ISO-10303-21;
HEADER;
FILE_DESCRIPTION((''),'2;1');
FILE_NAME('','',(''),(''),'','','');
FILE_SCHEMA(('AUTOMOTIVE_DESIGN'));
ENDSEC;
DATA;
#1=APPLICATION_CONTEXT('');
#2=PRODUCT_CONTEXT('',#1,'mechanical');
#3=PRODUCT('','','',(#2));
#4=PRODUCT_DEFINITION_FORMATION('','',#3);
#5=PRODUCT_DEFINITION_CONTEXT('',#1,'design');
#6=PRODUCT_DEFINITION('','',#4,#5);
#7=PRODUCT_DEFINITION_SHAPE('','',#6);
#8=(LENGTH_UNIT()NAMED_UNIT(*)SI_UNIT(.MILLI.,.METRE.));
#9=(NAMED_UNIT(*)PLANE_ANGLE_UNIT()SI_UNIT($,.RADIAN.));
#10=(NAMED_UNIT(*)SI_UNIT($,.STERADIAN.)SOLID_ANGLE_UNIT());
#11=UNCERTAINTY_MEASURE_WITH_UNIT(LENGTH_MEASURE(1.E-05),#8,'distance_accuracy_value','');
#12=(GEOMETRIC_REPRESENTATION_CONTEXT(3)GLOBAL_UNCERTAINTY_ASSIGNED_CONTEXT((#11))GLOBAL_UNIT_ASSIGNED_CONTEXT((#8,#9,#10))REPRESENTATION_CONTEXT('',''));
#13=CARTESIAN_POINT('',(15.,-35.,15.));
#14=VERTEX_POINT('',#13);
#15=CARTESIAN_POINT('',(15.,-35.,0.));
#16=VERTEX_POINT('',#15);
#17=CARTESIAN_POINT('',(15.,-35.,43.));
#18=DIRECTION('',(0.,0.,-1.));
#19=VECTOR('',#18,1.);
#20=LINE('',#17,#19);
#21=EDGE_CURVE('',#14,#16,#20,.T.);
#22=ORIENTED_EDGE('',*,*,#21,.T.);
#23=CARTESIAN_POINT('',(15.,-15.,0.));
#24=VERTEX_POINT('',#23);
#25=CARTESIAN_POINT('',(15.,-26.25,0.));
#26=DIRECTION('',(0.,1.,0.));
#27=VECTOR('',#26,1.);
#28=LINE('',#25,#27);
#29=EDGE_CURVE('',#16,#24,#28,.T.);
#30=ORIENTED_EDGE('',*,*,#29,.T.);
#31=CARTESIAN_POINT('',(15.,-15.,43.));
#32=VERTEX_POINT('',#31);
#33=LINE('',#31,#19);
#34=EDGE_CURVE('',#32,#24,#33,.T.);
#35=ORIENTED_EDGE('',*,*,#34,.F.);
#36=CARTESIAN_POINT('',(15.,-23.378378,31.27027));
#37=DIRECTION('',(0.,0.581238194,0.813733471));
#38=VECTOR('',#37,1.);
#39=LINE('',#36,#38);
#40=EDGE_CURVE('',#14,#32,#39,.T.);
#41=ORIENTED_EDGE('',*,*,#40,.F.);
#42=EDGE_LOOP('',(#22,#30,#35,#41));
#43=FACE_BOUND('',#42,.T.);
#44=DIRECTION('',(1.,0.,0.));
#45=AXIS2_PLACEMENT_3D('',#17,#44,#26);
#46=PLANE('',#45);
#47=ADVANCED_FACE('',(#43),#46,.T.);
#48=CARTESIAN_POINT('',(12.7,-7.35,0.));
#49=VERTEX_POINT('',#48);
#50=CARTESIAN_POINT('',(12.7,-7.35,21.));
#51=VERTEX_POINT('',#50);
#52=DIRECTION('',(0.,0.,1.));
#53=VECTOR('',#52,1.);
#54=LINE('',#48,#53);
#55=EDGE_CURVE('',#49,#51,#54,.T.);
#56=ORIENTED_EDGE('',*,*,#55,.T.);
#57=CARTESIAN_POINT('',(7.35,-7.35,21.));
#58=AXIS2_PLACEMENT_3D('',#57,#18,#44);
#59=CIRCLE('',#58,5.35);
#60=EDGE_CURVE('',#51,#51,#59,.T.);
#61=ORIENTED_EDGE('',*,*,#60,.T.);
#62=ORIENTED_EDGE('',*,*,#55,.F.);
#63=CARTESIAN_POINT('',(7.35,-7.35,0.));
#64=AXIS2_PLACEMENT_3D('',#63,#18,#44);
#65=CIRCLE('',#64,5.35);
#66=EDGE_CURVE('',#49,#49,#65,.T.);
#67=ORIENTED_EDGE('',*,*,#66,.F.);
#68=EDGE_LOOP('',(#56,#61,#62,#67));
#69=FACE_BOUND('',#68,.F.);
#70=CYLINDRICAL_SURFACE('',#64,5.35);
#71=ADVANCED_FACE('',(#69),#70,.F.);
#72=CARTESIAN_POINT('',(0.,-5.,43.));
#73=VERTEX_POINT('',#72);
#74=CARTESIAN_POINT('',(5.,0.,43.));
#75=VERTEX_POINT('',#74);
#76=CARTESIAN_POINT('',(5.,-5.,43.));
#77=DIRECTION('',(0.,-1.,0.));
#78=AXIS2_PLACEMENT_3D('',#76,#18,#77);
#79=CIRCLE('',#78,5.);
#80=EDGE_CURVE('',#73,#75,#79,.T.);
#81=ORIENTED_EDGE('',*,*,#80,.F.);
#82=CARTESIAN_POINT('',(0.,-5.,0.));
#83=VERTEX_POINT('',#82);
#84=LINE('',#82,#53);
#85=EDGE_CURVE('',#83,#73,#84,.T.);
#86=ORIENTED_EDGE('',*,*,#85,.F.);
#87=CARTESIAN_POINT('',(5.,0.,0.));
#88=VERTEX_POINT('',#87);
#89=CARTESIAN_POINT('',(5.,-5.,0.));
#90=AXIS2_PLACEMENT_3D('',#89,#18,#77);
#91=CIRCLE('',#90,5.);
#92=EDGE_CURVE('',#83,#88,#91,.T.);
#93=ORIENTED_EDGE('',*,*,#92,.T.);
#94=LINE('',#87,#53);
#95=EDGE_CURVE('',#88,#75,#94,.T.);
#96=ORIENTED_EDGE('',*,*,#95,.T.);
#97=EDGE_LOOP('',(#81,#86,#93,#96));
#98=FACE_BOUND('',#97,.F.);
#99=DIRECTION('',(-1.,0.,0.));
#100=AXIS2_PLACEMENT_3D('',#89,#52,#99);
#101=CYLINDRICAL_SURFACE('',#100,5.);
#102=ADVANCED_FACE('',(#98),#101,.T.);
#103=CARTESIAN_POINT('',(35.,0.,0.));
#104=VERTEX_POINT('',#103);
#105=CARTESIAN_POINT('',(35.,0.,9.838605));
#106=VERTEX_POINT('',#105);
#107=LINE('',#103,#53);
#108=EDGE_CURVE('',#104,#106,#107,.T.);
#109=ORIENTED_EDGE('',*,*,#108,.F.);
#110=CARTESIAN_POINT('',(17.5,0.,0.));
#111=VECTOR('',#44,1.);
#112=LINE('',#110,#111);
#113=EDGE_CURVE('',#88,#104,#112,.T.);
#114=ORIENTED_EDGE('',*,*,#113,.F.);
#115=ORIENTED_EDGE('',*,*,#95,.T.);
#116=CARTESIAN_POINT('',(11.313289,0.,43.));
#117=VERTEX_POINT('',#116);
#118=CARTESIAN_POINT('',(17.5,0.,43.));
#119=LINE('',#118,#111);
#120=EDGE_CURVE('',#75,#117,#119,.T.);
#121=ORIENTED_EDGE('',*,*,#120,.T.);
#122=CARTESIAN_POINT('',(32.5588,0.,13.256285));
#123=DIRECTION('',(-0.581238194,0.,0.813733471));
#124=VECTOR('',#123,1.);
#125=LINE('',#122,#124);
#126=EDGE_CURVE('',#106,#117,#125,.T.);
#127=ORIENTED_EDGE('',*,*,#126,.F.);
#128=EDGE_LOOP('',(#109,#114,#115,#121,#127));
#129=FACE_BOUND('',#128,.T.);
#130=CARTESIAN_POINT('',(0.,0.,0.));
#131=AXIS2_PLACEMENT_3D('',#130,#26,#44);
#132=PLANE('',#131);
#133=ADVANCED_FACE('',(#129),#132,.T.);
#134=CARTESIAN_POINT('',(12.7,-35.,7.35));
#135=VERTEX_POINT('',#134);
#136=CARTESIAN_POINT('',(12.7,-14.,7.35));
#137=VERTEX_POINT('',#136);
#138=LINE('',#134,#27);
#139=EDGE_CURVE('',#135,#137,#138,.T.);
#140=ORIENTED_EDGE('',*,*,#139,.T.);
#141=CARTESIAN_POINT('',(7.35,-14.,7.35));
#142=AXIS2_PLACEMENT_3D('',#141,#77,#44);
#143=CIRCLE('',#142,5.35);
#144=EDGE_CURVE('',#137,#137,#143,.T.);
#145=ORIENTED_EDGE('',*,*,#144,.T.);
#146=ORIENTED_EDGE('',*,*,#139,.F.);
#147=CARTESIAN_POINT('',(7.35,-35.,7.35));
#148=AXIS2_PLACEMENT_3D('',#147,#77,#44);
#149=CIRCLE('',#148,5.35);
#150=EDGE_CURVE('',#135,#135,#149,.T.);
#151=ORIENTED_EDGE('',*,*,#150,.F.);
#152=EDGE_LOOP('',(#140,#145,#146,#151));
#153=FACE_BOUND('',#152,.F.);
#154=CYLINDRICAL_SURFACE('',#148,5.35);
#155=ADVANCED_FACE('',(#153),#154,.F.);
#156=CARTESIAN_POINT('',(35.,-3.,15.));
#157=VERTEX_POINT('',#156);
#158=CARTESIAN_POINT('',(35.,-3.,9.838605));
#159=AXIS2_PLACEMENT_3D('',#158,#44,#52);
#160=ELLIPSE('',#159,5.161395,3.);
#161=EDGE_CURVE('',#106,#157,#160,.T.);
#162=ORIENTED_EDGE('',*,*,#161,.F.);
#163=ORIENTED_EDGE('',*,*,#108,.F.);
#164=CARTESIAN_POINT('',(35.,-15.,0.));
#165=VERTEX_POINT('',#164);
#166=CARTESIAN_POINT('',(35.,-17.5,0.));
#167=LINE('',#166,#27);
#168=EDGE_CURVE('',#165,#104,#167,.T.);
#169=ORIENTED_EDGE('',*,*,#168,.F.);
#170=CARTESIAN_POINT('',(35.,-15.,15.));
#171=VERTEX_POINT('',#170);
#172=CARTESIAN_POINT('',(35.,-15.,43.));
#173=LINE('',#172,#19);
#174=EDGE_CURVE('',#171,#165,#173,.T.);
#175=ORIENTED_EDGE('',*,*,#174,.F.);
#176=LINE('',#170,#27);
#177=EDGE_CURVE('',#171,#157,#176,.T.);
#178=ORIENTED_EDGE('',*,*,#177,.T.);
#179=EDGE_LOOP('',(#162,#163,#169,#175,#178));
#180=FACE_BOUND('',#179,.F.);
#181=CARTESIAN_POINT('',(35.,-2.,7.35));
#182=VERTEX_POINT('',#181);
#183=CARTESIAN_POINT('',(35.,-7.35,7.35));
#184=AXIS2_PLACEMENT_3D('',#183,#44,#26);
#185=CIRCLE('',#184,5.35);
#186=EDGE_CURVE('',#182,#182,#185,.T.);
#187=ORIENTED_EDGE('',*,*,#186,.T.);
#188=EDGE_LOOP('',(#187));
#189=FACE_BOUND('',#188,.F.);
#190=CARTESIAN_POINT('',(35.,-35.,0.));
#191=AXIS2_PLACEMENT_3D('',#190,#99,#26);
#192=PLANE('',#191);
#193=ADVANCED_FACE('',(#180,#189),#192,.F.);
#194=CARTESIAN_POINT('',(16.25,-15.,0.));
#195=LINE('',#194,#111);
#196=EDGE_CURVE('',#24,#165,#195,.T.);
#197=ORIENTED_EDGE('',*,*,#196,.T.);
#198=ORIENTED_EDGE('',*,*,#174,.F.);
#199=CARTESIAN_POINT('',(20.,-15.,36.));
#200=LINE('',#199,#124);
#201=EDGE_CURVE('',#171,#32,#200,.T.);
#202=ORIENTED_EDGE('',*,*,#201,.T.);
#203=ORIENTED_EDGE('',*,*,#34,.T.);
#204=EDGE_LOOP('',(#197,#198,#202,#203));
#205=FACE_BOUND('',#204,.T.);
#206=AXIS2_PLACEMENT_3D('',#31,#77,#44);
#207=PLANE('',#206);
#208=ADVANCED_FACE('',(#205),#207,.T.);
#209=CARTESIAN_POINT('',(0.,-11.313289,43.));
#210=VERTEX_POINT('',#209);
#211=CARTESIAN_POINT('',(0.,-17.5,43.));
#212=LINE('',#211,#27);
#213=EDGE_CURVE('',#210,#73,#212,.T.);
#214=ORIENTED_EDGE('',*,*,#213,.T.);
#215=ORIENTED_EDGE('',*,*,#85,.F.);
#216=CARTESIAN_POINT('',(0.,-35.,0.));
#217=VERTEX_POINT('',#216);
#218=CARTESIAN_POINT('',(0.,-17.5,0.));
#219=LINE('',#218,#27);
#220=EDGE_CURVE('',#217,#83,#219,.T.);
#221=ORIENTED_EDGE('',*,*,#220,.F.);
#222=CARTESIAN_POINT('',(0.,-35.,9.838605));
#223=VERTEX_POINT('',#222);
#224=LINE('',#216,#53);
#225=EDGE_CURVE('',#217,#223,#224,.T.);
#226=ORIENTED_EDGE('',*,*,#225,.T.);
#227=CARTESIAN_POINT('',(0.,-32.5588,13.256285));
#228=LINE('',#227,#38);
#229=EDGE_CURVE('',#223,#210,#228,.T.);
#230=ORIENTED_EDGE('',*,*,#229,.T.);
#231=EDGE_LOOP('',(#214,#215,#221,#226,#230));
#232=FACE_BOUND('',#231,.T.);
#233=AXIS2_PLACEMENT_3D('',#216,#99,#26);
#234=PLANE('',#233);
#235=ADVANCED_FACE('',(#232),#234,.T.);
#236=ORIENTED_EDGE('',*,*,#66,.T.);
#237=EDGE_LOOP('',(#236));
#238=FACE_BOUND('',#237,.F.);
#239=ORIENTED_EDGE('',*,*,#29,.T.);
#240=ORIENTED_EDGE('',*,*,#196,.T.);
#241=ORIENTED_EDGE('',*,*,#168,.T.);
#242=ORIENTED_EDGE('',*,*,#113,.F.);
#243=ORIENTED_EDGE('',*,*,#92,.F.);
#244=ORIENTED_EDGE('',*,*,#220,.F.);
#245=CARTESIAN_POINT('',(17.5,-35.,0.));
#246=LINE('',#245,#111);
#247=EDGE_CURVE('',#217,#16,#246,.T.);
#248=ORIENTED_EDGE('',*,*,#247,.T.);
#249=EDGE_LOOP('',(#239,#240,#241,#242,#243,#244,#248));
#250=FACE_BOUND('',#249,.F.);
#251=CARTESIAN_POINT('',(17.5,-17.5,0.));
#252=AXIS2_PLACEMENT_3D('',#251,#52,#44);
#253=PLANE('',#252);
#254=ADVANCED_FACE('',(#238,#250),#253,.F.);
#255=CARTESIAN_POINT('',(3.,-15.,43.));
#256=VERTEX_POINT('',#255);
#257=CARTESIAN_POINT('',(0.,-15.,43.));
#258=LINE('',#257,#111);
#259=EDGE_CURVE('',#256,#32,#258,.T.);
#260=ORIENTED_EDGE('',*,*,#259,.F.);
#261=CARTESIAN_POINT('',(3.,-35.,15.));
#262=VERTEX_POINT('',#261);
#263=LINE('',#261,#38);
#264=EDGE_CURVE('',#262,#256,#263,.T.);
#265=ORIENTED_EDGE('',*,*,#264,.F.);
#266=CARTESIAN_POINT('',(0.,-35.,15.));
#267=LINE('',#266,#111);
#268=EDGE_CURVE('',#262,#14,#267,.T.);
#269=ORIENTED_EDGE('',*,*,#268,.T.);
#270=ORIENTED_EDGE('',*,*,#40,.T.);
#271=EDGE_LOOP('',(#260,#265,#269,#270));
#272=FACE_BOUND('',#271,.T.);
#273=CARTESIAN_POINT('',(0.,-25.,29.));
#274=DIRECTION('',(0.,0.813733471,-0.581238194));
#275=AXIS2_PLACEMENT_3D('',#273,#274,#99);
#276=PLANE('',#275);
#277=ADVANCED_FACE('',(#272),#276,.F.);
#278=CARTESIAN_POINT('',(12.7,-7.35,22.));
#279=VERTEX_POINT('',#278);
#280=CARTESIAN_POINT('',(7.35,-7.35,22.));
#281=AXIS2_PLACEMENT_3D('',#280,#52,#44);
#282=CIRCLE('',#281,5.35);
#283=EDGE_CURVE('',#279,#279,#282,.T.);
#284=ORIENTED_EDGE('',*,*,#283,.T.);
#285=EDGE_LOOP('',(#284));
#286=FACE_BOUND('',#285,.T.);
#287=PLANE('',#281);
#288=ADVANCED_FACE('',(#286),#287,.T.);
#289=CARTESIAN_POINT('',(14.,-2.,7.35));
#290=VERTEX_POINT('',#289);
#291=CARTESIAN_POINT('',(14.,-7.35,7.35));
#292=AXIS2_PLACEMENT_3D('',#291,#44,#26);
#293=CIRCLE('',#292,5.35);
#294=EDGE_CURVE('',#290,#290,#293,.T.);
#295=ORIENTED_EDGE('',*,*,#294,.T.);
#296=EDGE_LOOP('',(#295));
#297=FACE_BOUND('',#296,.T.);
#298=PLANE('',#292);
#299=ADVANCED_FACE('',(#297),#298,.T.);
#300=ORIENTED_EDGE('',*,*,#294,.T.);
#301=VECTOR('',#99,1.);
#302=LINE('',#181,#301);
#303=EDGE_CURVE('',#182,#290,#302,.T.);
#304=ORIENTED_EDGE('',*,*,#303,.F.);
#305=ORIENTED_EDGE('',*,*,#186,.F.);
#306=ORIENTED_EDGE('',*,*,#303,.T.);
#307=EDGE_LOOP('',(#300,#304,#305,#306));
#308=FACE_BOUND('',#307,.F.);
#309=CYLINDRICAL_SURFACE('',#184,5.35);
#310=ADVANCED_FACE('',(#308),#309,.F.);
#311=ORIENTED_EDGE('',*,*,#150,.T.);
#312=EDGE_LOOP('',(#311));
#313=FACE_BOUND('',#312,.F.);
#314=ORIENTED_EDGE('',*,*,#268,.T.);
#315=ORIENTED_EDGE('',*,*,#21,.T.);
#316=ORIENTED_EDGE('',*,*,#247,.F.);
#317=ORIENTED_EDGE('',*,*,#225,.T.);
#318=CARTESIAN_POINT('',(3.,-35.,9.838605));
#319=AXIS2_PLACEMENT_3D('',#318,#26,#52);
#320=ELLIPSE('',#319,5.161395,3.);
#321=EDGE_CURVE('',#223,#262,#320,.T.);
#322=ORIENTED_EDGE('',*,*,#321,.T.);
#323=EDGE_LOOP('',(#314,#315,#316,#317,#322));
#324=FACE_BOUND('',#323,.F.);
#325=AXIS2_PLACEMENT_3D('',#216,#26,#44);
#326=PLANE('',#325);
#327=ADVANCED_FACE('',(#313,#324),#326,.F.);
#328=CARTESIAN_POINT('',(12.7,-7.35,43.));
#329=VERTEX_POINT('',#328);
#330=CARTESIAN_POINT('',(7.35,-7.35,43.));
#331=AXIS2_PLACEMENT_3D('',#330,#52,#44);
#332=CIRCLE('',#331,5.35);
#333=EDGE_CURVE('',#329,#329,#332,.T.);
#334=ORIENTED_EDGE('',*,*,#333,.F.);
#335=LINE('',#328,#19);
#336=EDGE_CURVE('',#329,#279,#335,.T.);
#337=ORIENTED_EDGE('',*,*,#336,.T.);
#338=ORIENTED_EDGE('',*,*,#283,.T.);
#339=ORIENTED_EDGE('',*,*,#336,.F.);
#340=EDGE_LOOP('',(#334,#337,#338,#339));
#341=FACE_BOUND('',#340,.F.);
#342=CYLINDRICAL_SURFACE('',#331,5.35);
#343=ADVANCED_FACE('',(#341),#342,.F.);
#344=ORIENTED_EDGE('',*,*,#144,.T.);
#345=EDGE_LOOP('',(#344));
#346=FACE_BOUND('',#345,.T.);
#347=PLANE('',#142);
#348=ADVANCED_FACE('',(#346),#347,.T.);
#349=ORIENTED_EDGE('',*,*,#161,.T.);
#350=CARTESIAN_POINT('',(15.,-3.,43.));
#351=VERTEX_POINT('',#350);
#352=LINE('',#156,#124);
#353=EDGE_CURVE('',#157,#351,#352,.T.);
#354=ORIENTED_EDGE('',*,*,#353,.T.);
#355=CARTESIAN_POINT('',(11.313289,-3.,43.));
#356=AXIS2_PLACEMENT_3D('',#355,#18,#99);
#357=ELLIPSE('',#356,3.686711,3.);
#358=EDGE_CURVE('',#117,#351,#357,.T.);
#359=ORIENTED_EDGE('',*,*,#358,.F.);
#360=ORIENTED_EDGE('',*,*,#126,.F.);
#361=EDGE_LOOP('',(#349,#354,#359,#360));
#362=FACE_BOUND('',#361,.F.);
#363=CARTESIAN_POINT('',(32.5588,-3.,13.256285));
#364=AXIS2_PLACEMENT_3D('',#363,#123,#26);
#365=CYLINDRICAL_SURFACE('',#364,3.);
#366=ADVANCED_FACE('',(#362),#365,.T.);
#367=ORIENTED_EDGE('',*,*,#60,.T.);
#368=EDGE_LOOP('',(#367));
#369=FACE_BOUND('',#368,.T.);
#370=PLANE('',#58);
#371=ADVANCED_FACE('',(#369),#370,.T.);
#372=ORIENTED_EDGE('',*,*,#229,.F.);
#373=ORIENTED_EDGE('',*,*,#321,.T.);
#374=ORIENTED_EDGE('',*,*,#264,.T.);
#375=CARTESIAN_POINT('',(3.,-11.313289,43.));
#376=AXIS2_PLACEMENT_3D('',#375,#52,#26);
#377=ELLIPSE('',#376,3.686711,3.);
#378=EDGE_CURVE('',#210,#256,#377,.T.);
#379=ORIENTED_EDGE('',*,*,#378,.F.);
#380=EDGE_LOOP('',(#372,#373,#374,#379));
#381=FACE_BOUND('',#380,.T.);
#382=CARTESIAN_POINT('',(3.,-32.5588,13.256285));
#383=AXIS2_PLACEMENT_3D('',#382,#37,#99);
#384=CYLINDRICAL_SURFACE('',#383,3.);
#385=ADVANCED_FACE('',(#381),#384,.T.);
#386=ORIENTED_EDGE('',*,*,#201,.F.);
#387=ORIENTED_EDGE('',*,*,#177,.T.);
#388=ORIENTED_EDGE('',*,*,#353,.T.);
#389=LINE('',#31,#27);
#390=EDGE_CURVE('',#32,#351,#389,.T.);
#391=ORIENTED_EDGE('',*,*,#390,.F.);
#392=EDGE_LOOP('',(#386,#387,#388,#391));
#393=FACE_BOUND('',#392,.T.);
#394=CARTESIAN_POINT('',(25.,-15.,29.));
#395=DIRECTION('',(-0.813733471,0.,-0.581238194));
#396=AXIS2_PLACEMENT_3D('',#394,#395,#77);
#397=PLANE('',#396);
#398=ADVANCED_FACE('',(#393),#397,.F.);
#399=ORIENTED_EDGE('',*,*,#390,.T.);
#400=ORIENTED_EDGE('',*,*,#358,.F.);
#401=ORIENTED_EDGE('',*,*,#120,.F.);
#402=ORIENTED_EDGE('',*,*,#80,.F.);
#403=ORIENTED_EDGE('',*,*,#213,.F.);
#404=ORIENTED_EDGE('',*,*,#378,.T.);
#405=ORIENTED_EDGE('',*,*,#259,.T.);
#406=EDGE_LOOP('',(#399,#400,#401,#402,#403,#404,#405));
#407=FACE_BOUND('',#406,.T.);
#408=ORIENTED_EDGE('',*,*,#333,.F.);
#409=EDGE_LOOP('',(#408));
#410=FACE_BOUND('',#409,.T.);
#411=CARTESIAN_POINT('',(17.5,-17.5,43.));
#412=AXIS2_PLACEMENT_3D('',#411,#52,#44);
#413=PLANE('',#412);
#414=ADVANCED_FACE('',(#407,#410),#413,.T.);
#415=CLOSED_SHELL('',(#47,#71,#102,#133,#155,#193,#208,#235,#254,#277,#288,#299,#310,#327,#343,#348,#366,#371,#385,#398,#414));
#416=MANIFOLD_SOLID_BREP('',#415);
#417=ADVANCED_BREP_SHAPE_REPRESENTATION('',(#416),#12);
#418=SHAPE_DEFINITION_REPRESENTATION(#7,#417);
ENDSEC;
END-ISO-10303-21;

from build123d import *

# Parameters (mm, degrees)
F0_W        = 35
F0_H        = 35
F1_DEPTH    = 43
F2_R        = 5.35
F3_DEPTH    = 21
F4_R        = 5.35
F5_DEPTH    = 21
F6_R        = 5.35
F7_DEPTH    = 21
F8_W        = 20
F8_H        = 20
F9_DEPTH    = 43.001
F10_R       = 5.35
F11_DEPTH   = 21
F12_SIZE2   = 20
F12_SIZE    = 28
F12_2_SIZE2 = 20
F12_2_SIZE  = 28
F13_R       = 5
F14_R       = 3


with BuildPart() as f1:
    # F0 (on Top) → F1 (new body)
    with BuildSketch(Plane.XY):
        with Locations((17.5, -17.5)):
            Rectangle(F0_W, F0_H)
    extrude(amount=F1_DEPTH)

    # F2 (on face) → F3 (cut)
    with BuildSketch(Plane.XZ.offset(35)):
        with Locations((7.35, 7.35)):
            Circle(F2_R)
    extrude(amount=-F3_DEPTH, mode=Mode.SUBTRACT)

    # F4 (on face) → F5 (cut)
    with BuildSketch(Plane.YZ.offset(35)):
        with Locations((-7.35, 7.35)):
            Circle(F4_R)
    extrude(amount=-F5_DEPTH, mode=Mode.SUBTRACT)

    # F6 (on face) → F7 (cut)
    with BuildSketch(Plane.XY.offset(43)):
        with Locations((7.35, -7.35)):
            Circle(F6_R)
    extrude(amount=-F7_DEPTH, mode=Mode.SUBTRACT)

    # F8 (on face) → F9 (cut, through all)
    with BuildSketch(Plane.XY.offset(43)):
        with Locations((25, -25)):
            Rectangle(F8_W, F8_H)
    extrude(amount=-F9_DEPTH, mode=Mode.SUBTRACT)

    # F10 (on face) → F11 (cut)
    with BuildSketch(Plane(origin=(0, 0, 0), x_dir=(1, 0, 0), z_dir=(0, 0, -1))):
        with Locations((7.35, 7.35)):
            Circle(F10_R)
    extrude(amount=-F11_DEPTH, mode=Mode.SUBTRACT)

    # F12
    f12_edges = [f1.edges().sort_by_distance(p)[0] for p in [
        (35, -7.5, 43),
    ]]
    f12_side = f1.faces().sort_by_distance((35, -7.524299, 23.792232))[0]
    chamfer(f12_edges, length=F12_SIZE, length2=F12_SIZE2, reference=f12_side)

    # F12#2
    f12_2_edges = [f1.edges().sort_by_distance(p)[0] for p in [
        (7.5, -35, 43),
    ]]
    f12_2_side = f1.faces().sort_by_distance((7.524299, -35, 23.792232))[0]
    chamfer(f12_2_edges, length=F12_2_SIZE, length2=F12_2_SIZE2, reference=f12_2_side)

    # F13
    f13_edges = [f1.edges().sort_by_distance(p)[0] for p in [
        (0, 0, 21.5),
    ]]
    fillet(f13_edges, radius=F13_R)

    # F14
    f14_edges = [f1.edges().sort_by_distance(p)[0] for p in [
        (0, -25, 29),
        (25, 0, 29),
    ]]
    fillet(f14_edges, radius=F14_R)


solid = f1.part
